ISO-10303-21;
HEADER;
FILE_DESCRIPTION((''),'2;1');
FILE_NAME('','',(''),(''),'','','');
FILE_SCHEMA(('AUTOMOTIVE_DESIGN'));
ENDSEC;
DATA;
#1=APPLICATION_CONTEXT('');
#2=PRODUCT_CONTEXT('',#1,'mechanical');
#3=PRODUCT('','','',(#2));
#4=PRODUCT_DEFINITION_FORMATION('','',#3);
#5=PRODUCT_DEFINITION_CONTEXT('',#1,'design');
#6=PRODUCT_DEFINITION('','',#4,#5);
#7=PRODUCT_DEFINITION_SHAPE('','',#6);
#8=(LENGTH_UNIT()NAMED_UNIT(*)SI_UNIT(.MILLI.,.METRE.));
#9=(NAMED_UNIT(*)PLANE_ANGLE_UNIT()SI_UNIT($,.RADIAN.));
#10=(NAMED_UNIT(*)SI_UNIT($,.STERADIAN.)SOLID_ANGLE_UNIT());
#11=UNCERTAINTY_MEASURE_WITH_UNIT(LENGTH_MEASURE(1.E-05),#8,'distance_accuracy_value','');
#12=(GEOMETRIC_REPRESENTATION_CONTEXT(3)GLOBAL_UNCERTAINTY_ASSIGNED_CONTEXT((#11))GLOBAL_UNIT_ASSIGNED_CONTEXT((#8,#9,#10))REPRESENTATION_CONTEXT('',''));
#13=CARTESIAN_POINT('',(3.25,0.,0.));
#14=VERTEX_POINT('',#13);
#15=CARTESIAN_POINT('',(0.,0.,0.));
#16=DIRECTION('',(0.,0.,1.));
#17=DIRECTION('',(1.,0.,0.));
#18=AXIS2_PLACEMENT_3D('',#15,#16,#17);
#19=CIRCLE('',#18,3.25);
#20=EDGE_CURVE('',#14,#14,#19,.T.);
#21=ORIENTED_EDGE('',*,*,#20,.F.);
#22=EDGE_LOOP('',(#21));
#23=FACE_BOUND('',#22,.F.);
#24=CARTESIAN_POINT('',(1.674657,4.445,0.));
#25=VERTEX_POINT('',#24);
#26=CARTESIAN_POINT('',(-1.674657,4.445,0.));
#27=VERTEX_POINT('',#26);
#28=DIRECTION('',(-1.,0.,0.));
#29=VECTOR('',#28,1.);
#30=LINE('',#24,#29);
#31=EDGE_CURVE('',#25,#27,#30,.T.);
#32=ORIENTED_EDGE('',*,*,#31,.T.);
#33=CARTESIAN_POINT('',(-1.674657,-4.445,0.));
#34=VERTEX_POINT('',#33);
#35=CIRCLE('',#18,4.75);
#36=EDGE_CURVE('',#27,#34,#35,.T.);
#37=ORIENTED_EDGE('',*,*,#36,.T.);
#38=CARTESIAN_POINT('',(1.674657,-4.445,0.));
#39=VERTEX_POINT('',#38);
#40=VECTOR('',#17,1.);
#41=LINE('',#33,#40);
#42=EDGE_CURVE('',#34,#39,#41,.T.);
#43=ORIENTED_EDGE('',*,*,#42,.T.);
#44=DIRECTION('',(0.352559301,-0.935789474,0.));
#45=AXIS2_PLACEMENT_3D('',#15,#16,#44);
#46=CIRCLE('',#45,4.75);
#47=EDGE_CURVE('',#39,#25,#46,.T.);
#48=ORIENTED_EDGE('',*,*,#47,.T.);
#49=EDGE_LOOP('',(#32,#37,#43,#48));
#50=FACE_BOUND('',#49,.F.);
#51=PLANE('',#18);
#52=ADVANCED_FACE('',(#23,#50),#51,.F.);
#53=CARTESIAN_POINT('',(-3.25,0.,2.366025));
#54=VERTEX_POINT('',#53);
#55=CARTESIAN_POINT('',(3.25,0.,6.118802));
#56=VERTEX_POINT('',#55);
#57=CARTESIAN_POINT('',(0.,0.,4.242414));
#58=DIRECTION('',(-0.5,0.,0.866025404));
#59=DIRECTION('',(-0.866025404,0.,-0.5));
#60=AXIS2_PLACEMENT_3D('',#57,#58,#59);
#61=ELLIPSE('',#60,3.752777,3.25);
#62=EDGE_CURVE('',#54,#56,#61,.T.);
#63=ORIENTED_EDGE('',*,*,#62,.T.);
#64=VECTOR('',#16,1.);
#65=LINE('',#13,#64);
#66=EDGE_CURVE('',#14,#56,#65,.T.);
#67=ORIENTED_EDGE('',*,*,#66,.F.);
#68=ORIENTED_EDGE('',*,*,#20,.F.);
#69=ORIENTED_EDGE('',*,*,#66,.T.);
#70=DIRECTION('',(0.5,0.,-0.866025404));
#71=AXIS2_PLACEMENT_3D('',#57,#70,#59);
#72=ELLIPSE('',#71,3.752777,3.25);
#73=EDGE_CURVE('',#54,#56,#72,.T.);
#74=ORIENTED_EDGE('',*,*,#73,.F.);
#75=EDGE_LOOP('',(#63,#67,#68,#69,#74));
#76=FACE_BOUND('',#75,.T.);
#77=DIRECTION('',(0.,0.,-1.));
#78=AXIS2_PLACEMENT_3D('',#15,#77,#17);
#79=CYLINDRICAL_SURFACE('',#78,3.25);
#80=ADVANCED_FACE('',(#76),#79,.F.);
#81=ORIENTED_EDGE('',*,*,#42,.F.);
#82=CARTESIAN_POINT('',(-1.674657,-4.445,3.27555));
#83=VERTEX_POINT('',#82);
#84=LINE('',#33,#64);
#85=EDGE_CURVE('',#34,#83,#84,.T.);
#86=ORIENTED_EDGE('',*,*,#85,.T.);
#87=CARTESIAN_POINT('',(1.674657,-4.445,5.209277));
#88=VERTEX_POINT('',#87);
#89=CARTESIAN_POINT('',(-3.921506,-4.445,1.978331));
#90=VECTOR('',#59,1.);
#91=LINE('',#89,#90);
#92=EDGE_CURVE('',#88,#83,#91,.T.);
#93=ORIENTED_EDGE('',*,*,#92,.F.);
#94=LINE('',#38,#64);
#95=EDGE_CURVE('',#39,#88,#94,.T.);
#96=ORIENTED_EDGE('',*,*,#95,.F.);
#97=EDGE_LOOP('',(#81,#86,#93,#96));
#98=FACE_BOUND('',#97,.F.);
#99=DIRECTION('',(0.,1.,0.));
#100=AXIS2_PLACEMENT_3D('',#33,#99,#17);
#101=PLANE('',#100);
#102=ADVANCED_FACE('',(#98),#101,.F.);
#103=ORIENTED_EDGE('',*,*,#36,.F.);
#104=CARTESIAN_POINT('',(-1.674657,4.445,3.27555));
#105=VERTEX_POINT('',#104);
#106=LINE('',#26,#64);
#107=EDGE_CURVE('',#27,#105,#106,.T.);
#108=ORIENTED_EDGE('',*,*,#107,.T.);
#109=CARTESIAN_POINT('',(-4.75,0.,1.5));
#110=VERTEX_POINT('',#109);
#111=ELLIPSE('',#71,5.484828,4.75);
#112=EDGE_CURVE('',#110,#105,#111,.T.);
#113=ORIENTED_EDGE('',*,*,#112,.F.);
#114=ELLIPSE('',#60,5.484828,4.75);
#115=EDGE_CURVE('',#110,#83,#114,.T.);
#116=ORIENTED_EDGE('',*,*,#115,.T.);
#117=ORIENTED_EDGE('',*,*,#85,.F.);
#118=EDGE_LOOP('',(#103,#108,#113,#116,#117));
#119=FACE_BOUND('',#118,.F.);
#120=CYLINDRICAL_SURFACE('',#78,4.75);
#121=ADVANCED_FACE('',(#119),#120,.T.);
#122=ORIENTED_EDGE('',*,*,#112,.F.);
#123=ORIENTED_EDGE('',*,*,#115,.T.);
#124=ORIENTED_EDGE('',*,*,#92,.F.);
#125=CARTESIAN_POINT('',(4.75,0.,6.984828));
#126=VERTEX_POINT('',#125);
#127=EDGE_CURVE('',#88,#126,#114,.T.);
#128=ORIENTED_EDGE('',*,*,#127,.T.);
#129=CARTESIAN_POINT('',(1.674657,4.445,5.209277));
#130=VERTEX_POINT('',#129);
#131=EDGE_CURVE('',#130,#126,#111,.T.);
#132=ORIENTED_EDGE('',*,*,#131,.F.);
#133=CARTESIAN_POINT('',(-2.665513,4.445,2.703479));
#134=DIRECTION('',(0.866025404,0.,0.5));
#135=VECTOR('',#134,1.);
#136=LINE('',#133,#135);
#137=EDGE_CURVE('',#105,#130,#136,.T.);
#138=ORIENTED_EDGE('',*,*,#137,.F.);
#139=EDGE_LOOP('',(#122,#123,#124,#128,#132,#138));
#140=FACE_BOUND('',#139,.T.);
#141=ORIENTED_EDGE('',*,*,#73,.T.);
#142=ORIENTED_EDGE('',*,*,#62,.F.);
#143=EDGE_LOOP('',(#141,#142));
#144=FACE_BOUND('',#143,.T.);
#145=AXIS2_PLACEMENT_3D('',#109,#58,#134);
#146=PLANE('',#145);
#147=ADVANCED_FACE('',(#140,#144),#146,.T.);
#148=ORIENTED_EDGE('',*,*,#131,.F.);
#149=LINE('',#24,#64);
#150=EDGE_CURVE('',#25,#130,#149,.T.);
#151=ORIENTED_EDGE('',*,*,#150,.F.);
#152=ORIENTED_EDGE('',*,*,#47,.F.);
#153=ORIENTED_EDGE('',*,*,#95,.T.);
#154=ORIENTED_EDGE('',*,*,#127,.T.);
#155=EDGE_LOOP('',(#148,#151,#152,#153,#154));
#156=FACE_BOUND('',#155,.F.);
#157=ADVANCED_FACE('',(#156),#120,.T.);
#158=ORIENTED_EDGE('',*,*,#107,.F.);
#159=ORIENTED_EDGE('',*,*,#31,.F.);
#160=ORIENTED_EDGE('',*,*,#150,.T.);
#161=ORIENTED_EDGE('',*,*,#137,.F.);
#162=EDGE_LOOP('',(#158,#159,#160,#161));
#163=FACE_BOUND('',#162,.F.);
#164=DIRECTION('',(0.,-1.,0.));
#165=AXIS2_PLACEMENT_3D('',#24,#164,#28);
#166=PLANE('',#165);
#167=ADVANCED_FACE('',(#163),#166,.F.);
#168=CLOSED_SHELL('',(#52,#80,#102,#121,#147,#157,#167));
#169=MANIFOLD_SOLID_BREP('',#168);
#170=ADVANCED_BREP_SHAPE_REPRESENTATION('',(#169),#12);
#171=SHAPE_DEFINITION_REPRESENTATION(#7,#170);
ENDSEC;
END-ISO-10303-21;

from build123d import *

# Parameters (mm, degrees)
F0_R          = 4.75
F0_R_2        = 3.25
F1_DEPTH      = 10
F3_DEPTH      = 4.751
F3_DEPTH_BACK = 4.751
F5_DEPTH      = 6.9858275573


with BuildPart() as f1:
    # F0 (on Top) → F1 (new body)
    with BuildSketch(Plane.XY):
        Circle(F0_R)
        Circle(F0_R_2, mode=Mode.SUBTRACT)
    extrude(amount=F1_DEPTH)

    # F2 (on Front) → F3 (cut, two sides)
    with BuildSketch(Plane.XZ) as f3_sk:
        Polygon((4.75, 10), (-4.75, 10), (-4.75, 1.5), (4.75, 6.9848275573), align=None)
    extrude(amount=-F3_DEPTH, mode=Mode.SUBTRACT)
    extrude(f3_sk.sketch, amount=F3_DEPTH_BACK, mode=Mode.SUBTRACT)

    # F4 (on face) → F5 (cut, through all)
    with BuildSketch(Plane(origin=(0, 0, 0), x_dir=(1, 0, 0), z_dir=(0, 0, -1))):
        with BuildLine():
            Line((-1.6746566812, 4.445), (1.6746566812, 4.445))
            ThreePointArc((1.6746566812, 4.445), (0, 4.75), (-1.6746566812, 4.445))
        make_face()
        with BuildLine():
            Line((1.6746566812, -4.445), (-1.6746566812, -4.445))
            ThreePointArc((-1.6746566812, -4.445), (0, -4.75), (1.6746566812, -4.445))
        make_face()
    extrude(amount=-F5_DEPTH, mode=Mode.SUBTRACT)


solid = f1.part
